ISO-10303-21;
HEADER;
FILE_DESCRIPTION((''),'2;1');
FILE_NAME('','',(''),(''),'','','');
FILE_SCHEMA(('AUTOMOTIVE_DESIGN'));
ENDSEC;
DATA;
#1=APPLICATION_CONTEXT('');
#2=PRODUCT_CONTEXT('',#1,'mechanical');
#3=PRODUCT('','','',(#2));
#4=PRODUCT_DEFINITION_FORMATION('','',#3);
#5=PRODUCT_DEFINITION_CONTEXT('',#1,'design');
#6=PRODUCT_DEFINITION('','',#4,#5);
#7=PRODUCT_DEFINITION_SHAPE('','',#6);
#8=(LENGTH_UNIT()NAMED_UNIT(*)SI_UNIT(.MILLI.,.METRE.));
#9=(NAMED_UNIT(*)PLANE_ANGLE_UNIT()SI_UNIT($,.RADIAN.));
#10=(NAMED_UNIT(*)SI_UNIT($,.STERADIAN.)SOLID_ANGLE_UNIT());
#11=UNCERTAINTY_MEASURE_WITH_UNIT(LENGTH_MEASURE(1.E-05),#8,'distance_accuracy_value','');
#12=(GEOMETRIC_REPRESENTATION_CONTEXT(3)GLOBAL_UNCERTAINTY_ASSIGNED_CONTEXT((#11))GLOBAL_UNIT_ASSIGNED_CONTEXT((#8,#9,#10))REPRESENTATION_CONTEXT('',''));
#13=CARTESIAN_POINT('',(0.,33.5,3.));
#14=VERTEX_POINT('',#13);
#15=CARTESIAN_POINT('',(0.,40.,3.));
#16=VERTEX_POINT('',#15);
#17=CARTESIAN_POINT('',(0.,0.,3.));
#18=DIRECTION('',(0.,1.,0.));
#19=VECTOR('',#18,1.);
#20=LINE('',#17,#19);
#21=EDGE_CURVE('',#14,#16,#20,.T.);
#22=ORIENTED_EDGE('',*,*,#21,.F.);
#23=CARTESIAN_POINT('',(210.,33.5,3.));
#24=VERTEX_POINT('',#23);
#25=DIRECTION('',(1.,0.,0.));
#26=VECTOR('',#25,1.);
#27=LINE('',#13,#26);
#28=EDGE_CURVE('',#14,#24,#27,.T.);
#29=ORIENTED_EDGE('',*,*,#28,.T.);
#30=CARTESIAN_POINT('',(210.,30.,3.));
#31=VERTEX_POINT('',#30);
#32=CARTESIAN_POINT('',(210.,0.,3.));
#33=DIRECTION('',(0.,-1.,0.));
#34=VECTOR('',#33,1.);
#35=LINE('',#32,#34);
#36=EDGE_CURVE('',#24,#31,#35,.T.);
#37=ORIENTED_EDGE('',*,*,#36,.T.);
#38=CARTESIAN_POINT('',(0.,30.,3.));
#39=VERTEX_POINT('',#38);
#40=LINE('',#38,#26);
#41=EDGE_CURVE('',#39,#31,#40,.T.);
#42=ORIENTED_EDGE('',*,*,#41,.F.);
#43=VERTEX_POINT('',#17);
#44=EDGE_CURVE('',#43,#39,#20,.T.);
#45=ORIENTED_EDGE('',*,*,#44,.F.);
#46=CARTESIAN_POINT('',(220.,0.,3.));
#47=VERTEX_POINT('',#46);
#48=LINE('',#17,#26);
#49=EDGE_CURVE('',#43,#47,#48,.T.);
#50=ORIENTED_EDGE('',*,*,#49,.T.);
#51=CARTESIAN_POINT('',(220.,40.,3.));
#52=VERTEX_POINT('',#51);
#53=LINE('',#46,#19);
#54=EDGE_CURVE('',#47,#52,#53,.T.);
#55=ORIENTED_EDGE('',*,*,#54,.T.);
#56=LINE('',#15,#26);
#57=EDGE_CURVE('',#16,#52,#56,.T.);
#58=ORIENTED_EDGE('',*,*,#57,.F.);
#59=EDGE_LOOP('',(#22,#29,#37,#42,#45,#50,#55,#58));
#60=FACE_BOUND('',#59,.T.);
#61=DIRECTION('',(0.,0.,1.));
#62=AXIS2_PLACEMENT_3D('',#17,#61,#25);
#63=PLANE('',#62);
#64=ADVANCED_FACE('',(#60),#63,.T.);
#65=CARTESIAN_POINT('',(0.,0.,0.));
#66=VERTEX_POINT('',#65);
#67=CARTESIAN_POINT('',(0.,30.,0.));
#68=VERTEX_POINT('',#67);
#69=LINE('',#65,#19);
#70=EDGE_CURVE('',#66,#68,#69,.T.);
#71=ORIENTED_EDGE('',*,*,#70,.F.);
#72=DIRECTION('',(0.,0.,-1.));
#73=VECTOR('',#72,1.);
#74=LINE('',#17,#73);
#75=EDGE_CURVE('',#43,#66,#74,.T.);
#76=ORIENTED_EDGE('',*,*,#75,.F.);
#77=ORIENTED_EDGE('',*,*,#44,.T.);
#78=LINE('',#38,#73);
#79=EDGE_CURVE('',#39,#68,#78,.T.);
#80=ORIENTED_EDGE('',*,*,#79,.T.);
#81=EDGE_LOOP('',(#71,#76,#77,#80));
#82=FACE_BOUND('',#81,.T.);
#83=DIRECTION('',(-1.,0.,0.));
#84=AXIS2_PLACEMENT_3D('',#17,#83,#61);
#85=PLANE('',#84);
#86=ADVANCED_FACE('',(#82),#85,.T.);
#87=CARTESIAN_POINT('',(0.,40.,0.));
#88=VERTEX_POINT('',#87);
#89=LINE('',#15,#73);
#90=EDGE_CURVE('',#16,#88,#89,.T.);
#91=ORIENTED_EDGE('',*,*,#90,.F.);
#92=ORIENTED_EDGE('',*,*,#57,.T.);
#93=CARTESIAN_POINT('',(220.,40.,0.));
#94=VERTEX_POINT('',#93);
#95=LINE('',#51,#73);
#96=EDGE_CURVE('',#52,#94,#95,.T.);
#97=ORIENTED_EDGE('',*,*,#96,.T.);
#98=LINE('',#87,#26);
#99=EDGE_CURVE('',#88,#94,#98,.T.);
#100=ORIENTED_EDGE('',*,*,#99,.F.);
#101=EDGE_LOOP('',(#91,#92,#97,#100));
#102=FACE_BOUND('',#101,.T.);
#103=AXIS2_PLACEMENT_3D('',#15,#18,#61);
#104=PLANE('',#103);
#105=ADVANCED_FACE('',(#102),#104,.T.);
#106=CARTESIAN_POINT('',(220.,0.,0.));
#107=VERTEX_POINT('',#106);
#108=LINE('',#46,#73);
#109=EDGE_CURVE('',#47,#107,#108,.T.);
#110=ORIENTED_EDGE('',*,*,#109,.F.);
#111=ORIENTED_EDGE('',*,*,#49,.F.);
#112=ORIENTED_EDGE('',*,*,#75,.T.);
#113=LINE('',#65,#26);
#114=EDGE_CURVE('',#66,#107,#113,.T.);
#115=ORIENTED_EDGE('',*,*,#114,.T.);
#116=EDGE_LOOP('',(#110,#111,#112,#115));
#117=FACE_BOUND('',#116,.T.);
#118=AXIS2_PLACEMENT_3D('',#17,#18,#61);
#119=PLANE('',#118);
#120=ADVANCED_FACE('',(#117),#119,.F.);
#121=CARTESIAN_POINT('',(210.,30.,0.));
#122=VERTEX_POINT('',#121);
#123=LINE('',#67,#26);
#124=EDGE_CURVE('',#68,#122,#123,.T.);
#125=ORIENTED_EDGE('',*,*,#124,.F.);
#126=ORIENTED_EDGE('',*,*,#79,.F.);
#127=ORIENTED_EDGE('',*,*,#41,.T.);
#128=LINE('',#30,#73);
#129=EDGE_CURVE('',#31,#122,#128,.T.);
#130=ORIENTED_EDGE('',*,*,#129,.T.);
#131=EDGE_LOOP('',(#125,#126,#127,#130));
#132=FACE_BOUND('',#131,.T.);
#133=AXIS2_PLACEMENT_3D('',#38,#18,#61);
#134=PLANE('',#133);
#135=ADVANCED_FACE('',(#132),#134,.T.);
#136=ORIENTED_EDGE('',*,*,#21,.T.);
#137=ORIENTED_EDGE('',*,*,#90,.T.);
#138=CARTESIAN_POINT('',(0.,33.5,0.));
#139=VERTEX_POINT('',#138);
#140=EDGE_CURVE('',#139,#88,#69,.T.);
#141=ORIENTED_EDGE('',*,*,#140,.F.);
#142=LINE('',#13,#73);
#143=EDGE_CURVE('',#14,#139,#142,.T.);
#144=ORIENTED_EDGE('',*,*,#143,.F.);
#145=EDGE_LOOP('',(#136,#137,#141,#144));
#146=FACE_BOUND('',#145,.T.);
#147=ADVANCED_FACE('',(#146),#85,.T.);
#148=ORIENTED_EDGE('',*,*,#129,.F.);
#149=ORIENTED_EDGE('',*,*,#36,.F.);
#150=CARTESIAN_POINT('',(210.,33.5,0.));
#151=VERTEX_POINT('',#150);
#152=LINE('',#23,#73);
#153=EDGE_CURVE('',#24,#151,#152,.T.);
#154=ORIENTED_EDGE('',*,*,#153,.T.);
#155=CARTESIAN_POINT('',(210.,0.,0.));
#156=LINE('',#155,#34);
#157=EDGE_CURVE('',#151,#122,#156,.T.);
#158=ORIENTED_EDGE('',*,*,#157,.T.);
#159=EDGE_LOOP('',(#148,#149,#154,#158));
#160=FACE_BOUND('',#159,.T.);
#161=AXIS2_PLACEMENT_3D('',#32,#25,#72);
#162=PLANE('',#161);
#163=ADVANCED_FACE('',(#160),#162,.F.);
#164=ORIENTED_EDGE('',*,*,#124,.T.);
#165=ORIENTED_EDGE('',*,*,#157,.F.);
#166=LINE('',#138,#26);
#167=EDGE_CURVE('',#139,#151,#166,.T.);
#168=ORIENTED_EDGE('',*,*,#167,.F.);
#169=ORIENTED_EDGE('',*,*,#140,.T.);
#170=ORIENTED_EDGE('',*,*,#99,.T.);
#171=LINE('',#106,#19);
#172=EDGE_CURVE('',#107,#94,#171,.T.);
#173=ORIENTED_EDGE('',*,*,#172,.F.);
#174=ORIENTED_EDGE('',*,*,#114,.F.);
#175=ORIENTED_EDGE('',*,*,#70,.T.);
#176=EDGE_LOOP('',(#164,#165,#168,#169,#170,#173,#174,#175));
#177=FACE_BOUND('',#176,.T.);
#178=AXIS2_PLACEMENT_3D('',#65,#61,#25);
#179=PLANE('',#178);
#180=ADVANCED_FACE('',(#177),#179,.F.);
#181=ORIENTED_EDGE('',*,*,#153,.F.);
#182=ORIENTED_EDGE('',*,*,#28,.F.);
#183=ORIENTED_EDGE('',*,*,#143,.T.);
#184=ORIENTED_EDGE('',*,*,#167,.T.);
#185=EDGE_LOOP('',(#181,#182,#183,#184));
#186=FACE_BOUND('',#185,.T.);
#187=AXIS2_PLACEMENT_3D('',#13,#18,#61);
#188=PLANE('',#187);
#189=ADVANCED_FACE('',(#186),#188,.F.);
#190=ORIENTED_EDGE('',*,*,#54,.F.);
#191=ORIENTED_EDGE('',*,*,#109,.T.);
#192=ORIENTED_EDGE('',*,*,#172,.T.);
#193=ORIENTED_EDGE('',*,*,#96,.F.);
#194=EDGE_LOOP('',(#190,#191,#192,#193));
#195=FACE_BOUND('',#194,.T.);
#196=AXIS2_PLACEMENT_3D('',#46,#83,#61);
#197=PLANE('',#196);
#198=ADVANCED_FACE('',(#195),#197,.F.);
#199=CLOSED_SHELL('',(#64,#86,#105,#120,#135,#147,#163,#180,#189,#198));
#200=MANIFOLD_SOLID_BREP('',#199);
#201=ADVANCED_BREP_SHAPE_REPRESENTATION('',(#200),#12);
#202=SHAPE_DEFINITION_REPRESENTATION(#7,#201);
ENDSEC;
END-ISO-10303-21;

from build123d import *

# Parameters (mm, degrees)
P_IDAT_VYSUNUT_M1_DEPTH = 3


with BuildPart() as part:
    # Skica1 → Přidat vysunutím1 (new body)
    with BuildSketch(Plane.XY):
        Polygon((0, 30), (0, 0), (220, 0), (220, 40), (0, 40), (0, 33.5), (210, 33.5), (210, 30), align=None)
    extrude(amount=P_IDAT_VYSUNUT_M1_DEPTH)


solid = part.part
